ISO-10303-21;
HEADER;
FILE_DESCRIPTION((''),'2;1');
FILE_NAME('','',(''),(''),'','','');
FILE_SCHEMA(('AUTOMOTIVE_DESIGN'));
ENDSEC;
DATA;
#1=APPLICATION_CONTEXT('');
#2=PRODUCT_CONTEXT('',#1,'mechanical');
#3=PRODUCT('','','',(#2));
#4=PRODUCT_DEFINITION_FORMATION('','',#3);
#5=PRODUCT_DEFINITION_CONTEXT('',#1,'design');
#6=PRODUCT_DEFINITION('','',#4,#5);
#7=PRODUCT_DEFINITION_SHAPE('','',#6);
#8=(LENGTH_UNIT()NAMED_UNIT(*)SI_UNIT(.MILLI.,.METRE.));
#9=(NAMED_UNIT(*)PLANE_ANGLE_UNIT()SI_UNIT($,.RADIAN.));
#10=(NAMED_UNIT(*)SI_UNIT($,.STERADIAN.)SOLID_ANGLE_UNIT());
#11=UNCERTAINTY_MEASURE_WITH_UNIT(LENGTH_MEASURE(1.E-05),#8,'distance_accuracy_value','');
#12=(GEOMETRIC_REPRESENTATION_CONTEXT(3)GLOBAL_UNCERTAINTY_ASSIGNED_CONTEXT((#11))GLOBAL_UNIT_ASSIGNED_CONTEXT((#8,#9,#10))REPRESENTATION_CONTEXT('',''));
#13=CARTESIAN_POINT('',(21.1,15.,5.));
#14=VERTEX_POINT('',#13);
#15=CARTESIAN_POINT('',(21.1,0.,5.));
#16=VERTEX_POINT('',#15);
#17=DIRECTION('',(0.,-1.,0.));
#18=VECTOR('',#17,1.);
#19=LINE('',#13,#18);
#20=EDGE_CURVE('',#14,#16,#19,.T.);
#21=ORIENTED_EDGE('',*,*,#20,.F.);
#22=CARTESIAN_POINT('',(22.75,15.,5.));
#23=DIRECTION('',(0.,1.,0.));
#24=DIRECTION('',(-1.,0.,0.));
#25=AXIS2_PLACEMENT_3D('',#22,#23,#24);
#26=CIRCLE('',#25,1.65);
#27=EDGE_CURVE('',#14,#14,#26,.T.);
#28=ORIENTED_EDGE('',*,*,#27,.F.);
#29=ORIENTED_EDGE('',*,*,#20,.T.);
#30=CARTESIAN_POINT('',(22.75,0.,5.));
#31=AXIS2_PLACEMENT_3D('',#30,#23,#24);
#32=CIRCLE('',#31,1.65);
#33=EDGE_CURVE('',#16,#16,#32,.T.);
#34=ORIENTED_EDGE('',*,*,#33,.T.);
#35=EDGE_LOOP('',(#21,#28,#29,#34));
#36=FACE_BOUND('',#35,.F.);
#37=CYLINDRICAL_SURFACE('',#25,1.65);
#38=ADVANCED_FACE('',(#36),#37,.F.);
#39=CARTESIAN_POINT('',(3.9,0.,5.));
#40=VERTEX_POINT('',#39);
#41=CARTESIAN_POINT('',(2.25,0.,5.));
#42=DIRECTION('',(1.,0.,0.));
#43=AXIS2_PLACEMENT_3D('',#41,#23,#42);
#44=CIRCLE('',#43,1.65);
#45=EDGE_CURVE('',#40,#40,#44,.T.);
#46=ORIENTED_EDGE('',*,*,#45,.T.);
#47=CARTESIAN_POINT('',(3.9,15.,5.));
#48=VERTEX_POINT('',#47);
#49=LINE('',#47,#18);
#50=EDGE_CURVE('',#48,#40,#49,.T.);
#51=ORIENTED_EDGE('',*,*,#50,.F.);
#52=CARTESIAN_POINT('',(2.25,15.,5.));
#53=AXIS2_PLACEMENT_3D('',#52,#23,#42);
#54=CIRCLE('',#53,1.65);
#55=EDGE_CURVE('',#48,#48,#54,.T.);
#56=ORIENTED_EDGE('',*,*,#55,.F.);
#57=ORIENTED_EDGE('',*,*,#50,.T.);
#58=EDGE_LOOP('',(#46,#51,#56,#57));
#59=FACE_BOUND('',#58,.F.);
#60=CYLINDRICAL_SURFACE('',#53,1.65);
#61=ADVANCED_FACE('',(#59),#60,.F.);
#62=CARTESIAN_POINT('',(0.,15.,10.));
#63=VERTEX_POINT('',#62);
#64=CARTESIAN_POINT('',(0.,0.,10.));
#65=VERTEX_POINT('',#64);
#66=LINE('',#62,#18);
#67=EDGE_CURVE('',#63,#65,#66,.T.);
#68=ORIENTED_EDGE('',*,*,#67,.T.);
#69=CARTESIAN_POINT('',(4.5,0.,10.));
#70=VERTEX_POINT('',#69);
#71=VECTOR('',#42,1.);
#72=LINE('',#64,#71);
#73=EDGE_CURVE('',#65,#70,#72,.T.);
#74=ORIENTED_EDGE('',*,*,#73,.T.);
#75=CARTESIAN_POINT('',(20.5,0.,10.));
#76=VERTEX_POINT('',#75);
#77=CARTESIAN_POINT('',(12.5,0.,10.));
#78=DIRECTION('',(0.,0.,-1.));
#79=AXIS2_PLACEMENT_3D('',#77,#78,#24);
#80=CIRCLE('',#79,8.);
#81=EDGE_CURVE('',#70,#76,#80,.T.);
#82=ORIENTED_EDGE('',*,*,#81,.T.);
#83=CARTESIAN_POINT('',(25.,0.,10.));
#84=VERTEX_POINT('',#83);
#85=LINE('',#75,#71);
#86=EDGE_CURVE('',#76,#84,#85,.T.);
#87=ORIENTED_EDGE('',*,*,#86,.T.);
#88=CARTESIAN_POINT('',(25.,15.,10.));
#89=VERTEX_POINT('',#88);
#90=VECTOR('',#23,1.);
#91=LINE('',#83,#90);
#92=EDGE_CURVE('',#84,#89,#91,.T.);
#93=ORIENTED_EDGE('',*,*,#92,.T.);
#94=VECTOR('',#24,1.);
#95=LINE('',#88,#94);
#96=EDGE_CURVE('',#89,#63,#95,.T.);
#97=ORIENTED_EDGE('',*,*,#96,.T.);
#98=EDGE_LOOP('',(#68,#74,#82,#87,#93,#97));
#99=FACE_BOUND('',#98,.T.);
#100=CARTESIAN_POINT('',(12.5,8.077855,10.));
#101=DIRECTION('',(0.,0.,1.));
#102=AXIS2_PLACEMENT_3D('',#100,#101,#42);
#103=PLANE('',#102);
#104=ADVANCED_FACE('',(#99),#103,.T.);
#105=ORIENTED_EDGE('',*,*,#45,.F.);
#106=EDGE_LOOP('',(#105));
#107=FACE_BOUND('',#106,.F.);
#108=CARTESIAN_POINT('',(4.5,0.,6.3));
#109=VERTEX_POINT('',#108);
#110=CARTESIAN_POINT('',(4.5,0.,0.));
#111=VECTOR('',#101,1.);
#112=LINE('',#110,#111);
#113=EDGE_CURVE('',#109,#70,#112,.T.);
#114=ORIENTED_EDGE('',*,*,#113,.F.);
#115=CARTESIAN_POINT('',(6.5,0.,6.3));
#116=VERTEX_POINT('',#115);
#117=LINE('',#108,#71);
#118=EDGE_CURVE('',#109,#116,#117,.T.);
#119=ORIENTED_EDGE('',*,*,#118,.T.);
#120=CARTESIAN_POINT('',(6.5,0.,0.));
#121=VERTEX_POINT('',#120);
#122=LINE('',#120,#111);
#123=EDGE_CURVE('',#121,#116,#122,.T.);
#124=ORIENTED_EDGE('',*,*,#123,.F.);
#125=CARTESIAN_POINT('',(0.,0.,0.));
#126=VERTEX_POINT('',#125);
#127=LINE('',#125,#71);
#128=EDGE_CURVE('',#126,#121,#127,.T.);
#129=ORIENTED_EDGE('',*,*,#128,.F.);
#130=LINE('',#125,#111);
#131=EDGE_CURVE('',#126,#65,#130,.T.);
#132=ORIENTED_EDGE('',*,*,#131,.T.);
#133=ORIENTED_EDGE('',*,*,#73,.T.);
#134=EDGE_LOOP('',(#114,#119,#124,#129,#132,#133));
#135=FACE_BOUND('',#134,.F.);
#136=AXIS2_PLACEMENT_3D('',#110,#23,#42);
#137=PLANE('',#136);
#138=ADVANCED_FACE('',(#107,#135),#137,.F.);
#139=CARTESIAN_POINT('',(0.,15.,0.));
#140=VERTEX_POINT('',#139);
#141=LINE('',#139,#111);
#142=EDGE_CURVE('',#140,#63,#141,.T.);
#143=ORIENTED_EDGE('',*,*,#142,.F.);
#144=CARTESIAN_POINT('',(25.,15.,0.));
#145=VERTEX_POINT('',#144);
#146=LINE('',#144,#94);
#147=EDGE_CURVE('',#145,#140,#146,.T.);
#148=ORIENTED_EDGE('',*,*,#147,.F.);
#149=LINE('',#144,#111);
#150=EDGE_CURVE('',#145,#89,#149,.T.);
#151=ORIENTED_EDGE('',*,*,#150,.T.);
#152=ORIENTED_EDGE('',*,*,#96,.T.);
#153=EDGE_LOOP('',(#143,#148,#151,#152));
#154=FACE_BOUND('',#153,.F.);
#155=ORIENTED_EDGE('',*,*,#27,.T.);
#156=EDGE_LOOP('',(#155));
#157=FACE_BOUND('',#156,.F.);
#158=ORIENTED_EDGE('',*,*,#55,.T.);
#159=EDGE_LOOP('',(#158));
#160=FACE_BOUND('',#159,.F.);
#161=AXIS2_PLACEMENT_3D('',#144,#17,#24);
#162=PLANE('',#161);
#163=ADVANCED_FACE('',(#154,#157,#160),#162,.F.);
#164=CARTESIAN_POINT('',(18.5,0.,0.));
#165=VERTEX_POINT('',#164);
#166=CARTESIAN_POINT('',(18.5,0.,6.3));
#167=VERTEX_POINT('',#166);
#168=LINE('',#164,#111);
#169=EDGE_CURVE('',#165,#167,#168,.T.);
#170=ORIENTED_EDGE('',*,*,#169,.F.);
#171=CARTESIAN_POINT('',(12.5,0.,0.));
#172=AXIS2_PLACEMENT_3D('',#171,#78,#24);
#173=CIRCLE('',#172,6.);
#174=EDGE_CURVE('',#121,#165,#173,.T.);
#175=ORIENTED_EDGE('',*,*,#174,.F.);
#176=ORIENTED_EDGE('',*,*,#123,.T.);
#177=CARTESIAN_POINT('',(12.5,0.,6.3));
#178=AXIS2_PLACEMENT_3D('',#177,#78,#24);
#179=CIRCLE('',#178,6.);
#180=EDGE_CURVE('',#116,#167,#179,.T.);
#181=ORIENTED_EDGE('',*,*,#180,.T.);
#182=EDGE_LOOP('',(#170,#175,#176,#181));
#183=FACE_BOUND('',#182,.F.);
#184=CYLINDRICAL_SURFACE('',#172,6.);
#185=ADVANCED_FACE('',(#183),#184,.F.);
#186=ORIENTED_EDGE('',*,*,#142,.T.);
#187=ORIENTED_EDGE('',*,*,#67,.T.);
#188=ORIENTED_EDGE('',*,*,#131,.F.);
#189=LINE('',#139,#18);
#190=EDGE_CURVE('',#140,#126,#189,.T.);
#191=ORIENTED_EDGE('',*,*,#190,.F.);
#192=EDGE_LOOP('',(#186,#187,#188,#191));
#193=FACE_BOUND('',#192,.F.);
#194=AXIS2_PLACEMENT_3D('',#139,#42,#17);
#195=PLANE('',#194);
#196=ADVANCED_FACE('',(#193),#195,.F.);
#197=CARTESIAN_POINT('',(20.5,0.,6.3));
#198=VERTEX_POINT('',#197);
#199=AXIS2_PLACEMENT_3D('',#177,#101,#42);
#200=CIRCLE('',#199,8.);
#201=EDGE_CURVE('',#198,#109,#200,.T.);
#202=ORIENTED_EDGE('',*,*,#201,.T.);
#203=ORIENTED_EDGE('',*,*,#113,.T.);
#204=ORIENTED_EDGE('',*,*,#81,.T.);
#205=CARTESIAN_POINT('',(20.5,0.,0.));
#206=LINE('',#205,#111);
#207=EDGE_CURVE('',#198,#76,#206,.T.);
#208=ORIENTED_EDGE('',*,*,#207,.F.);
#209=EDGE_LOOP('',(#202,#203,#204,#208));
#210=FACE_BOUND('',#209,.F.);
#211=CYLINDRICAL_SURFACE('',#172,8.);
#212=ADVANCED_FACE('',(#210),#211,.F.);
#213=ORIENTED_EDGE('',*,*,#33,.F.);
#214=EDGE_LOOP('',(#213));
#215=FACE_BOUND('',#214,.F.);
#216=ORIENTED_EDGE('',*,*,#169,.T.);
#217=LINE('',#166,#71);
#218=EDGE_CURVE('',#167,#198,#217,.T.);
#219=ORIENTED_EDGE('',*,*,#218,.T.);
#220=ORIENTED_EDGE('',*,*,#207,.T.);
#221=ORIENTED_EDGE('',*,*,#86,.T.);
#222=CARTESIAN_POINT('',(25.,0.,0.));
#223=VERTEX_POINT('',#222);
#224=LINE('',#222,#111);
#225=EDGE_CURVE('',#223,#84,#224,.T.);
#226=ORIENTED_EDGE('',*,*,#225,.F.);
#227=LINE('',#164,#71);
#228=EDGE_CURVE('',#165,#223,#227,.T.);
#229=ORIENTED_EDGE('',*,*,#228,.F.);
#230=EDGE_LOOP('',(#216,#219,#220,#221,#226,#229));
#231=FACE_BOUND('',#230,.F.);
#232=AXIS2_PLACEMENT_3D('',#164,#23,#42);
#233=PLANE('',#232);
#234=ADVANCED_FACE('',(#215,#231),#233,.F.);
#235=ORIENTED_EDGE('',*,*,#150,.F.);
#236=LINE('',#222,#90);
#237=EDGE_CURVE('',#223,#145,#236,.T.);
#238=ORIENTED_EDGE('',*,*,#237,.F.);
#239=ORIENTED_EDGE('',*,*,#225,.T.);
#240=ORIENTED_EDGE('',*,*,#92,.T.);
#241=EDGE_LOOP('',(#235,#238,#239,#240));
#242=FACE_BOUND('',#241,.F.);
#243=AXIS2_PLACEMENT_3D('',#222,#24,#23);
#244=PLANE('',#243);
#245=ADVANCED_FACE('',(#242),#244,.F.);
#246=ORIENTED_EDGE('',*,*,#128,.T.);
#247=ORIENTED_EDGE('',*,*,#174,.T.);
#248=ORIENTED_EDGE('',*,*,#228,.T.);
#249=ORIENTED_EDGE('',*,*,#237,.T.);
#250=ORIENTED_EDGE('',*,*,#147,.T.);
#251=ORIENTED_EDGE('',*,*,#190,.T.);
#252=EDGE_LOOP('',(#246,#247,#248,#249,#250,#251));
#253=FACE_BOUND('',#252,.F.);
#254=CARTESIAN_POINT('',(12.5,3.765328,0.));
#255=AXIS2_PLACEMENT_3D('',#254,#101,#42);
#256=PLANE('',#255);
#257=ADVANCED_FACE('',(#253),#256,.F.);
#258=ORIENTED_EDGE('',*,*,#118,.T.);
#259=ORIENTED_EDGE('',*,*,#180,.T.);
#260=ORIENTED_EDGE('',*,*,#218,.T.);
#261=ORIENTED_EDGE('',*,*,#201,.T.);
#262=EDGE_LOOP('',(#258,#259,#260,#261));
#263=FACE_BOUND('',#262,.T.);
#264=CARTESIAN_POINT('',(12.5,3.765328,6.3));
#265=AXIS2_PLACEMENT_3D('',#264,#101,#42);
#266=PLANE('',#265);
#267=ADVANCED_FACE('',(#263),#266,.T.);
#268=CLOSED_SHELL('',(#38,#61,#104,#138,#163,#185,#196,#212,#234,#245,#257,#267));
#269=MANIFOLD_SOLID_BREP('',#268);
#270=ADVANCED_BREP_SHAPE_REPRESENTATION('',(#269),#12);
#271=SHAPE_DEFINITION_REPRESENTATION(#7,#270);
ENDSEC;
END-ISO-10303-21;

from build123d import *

# Parameters (mm, degrees)
F1_DEPTH = 10
F2_DEPTH = 6.3
F3_R     = 1.65
F4_DEPTH = 25


with BuildPart() as f1:
    # F0 (on Top) → F1 (new body)
    with BuildSketch(Plane.XY):
        with BuildLine():
            ThreePointArc((4.5, 0), (12.5, 8), (20.5, 0))
            Line((20.5, 0), (25, 0))
            Line((25, 0), (25, 15))
            Line((25, 15), (0, 15))
            Line((0, 15), (0, 0))
            Line((0, 0), (4.5, 0))
        make_face()
    extrude(amount=F1_DEPTH)

    # F0 (on Top) → F2 (join)
    with BuildSketch(Plane.XY):
        with BuildLine():
            ThreePointArc((6.5, 0), (12.5, 6), (18.5, 0))
            Line((18.5, 0), (20.5, 0))
            ThreePointArc((20.5, 0), (12.5, 8), (4.5, 0))
            Line((4.5, 0), (6.5, 0))
        make_face()
    extrude(amount=F2_DEPTH)

    # F3 (on face) → F4 (cut)
    with BuildSketch(Plane(origin=(0, 15, 0), x_dir=(-1, 0, 0), z_dir=(0, 1, 0))):
        with Locations((-22.75, 5)):
            Circle(F3_R)
        with BuildLine():
            ThreePointArc((-0.6, 5), (-2.25, 6.65), (-3.9, 5))
            ThreePointArc((-3.9, 5), (-2.25, 3.35), (-0.6, 5))
        make_face()
    extrude(amount=-F4_DEPTH, mode=Mode.SUBTRACT)


solid = f1.part
